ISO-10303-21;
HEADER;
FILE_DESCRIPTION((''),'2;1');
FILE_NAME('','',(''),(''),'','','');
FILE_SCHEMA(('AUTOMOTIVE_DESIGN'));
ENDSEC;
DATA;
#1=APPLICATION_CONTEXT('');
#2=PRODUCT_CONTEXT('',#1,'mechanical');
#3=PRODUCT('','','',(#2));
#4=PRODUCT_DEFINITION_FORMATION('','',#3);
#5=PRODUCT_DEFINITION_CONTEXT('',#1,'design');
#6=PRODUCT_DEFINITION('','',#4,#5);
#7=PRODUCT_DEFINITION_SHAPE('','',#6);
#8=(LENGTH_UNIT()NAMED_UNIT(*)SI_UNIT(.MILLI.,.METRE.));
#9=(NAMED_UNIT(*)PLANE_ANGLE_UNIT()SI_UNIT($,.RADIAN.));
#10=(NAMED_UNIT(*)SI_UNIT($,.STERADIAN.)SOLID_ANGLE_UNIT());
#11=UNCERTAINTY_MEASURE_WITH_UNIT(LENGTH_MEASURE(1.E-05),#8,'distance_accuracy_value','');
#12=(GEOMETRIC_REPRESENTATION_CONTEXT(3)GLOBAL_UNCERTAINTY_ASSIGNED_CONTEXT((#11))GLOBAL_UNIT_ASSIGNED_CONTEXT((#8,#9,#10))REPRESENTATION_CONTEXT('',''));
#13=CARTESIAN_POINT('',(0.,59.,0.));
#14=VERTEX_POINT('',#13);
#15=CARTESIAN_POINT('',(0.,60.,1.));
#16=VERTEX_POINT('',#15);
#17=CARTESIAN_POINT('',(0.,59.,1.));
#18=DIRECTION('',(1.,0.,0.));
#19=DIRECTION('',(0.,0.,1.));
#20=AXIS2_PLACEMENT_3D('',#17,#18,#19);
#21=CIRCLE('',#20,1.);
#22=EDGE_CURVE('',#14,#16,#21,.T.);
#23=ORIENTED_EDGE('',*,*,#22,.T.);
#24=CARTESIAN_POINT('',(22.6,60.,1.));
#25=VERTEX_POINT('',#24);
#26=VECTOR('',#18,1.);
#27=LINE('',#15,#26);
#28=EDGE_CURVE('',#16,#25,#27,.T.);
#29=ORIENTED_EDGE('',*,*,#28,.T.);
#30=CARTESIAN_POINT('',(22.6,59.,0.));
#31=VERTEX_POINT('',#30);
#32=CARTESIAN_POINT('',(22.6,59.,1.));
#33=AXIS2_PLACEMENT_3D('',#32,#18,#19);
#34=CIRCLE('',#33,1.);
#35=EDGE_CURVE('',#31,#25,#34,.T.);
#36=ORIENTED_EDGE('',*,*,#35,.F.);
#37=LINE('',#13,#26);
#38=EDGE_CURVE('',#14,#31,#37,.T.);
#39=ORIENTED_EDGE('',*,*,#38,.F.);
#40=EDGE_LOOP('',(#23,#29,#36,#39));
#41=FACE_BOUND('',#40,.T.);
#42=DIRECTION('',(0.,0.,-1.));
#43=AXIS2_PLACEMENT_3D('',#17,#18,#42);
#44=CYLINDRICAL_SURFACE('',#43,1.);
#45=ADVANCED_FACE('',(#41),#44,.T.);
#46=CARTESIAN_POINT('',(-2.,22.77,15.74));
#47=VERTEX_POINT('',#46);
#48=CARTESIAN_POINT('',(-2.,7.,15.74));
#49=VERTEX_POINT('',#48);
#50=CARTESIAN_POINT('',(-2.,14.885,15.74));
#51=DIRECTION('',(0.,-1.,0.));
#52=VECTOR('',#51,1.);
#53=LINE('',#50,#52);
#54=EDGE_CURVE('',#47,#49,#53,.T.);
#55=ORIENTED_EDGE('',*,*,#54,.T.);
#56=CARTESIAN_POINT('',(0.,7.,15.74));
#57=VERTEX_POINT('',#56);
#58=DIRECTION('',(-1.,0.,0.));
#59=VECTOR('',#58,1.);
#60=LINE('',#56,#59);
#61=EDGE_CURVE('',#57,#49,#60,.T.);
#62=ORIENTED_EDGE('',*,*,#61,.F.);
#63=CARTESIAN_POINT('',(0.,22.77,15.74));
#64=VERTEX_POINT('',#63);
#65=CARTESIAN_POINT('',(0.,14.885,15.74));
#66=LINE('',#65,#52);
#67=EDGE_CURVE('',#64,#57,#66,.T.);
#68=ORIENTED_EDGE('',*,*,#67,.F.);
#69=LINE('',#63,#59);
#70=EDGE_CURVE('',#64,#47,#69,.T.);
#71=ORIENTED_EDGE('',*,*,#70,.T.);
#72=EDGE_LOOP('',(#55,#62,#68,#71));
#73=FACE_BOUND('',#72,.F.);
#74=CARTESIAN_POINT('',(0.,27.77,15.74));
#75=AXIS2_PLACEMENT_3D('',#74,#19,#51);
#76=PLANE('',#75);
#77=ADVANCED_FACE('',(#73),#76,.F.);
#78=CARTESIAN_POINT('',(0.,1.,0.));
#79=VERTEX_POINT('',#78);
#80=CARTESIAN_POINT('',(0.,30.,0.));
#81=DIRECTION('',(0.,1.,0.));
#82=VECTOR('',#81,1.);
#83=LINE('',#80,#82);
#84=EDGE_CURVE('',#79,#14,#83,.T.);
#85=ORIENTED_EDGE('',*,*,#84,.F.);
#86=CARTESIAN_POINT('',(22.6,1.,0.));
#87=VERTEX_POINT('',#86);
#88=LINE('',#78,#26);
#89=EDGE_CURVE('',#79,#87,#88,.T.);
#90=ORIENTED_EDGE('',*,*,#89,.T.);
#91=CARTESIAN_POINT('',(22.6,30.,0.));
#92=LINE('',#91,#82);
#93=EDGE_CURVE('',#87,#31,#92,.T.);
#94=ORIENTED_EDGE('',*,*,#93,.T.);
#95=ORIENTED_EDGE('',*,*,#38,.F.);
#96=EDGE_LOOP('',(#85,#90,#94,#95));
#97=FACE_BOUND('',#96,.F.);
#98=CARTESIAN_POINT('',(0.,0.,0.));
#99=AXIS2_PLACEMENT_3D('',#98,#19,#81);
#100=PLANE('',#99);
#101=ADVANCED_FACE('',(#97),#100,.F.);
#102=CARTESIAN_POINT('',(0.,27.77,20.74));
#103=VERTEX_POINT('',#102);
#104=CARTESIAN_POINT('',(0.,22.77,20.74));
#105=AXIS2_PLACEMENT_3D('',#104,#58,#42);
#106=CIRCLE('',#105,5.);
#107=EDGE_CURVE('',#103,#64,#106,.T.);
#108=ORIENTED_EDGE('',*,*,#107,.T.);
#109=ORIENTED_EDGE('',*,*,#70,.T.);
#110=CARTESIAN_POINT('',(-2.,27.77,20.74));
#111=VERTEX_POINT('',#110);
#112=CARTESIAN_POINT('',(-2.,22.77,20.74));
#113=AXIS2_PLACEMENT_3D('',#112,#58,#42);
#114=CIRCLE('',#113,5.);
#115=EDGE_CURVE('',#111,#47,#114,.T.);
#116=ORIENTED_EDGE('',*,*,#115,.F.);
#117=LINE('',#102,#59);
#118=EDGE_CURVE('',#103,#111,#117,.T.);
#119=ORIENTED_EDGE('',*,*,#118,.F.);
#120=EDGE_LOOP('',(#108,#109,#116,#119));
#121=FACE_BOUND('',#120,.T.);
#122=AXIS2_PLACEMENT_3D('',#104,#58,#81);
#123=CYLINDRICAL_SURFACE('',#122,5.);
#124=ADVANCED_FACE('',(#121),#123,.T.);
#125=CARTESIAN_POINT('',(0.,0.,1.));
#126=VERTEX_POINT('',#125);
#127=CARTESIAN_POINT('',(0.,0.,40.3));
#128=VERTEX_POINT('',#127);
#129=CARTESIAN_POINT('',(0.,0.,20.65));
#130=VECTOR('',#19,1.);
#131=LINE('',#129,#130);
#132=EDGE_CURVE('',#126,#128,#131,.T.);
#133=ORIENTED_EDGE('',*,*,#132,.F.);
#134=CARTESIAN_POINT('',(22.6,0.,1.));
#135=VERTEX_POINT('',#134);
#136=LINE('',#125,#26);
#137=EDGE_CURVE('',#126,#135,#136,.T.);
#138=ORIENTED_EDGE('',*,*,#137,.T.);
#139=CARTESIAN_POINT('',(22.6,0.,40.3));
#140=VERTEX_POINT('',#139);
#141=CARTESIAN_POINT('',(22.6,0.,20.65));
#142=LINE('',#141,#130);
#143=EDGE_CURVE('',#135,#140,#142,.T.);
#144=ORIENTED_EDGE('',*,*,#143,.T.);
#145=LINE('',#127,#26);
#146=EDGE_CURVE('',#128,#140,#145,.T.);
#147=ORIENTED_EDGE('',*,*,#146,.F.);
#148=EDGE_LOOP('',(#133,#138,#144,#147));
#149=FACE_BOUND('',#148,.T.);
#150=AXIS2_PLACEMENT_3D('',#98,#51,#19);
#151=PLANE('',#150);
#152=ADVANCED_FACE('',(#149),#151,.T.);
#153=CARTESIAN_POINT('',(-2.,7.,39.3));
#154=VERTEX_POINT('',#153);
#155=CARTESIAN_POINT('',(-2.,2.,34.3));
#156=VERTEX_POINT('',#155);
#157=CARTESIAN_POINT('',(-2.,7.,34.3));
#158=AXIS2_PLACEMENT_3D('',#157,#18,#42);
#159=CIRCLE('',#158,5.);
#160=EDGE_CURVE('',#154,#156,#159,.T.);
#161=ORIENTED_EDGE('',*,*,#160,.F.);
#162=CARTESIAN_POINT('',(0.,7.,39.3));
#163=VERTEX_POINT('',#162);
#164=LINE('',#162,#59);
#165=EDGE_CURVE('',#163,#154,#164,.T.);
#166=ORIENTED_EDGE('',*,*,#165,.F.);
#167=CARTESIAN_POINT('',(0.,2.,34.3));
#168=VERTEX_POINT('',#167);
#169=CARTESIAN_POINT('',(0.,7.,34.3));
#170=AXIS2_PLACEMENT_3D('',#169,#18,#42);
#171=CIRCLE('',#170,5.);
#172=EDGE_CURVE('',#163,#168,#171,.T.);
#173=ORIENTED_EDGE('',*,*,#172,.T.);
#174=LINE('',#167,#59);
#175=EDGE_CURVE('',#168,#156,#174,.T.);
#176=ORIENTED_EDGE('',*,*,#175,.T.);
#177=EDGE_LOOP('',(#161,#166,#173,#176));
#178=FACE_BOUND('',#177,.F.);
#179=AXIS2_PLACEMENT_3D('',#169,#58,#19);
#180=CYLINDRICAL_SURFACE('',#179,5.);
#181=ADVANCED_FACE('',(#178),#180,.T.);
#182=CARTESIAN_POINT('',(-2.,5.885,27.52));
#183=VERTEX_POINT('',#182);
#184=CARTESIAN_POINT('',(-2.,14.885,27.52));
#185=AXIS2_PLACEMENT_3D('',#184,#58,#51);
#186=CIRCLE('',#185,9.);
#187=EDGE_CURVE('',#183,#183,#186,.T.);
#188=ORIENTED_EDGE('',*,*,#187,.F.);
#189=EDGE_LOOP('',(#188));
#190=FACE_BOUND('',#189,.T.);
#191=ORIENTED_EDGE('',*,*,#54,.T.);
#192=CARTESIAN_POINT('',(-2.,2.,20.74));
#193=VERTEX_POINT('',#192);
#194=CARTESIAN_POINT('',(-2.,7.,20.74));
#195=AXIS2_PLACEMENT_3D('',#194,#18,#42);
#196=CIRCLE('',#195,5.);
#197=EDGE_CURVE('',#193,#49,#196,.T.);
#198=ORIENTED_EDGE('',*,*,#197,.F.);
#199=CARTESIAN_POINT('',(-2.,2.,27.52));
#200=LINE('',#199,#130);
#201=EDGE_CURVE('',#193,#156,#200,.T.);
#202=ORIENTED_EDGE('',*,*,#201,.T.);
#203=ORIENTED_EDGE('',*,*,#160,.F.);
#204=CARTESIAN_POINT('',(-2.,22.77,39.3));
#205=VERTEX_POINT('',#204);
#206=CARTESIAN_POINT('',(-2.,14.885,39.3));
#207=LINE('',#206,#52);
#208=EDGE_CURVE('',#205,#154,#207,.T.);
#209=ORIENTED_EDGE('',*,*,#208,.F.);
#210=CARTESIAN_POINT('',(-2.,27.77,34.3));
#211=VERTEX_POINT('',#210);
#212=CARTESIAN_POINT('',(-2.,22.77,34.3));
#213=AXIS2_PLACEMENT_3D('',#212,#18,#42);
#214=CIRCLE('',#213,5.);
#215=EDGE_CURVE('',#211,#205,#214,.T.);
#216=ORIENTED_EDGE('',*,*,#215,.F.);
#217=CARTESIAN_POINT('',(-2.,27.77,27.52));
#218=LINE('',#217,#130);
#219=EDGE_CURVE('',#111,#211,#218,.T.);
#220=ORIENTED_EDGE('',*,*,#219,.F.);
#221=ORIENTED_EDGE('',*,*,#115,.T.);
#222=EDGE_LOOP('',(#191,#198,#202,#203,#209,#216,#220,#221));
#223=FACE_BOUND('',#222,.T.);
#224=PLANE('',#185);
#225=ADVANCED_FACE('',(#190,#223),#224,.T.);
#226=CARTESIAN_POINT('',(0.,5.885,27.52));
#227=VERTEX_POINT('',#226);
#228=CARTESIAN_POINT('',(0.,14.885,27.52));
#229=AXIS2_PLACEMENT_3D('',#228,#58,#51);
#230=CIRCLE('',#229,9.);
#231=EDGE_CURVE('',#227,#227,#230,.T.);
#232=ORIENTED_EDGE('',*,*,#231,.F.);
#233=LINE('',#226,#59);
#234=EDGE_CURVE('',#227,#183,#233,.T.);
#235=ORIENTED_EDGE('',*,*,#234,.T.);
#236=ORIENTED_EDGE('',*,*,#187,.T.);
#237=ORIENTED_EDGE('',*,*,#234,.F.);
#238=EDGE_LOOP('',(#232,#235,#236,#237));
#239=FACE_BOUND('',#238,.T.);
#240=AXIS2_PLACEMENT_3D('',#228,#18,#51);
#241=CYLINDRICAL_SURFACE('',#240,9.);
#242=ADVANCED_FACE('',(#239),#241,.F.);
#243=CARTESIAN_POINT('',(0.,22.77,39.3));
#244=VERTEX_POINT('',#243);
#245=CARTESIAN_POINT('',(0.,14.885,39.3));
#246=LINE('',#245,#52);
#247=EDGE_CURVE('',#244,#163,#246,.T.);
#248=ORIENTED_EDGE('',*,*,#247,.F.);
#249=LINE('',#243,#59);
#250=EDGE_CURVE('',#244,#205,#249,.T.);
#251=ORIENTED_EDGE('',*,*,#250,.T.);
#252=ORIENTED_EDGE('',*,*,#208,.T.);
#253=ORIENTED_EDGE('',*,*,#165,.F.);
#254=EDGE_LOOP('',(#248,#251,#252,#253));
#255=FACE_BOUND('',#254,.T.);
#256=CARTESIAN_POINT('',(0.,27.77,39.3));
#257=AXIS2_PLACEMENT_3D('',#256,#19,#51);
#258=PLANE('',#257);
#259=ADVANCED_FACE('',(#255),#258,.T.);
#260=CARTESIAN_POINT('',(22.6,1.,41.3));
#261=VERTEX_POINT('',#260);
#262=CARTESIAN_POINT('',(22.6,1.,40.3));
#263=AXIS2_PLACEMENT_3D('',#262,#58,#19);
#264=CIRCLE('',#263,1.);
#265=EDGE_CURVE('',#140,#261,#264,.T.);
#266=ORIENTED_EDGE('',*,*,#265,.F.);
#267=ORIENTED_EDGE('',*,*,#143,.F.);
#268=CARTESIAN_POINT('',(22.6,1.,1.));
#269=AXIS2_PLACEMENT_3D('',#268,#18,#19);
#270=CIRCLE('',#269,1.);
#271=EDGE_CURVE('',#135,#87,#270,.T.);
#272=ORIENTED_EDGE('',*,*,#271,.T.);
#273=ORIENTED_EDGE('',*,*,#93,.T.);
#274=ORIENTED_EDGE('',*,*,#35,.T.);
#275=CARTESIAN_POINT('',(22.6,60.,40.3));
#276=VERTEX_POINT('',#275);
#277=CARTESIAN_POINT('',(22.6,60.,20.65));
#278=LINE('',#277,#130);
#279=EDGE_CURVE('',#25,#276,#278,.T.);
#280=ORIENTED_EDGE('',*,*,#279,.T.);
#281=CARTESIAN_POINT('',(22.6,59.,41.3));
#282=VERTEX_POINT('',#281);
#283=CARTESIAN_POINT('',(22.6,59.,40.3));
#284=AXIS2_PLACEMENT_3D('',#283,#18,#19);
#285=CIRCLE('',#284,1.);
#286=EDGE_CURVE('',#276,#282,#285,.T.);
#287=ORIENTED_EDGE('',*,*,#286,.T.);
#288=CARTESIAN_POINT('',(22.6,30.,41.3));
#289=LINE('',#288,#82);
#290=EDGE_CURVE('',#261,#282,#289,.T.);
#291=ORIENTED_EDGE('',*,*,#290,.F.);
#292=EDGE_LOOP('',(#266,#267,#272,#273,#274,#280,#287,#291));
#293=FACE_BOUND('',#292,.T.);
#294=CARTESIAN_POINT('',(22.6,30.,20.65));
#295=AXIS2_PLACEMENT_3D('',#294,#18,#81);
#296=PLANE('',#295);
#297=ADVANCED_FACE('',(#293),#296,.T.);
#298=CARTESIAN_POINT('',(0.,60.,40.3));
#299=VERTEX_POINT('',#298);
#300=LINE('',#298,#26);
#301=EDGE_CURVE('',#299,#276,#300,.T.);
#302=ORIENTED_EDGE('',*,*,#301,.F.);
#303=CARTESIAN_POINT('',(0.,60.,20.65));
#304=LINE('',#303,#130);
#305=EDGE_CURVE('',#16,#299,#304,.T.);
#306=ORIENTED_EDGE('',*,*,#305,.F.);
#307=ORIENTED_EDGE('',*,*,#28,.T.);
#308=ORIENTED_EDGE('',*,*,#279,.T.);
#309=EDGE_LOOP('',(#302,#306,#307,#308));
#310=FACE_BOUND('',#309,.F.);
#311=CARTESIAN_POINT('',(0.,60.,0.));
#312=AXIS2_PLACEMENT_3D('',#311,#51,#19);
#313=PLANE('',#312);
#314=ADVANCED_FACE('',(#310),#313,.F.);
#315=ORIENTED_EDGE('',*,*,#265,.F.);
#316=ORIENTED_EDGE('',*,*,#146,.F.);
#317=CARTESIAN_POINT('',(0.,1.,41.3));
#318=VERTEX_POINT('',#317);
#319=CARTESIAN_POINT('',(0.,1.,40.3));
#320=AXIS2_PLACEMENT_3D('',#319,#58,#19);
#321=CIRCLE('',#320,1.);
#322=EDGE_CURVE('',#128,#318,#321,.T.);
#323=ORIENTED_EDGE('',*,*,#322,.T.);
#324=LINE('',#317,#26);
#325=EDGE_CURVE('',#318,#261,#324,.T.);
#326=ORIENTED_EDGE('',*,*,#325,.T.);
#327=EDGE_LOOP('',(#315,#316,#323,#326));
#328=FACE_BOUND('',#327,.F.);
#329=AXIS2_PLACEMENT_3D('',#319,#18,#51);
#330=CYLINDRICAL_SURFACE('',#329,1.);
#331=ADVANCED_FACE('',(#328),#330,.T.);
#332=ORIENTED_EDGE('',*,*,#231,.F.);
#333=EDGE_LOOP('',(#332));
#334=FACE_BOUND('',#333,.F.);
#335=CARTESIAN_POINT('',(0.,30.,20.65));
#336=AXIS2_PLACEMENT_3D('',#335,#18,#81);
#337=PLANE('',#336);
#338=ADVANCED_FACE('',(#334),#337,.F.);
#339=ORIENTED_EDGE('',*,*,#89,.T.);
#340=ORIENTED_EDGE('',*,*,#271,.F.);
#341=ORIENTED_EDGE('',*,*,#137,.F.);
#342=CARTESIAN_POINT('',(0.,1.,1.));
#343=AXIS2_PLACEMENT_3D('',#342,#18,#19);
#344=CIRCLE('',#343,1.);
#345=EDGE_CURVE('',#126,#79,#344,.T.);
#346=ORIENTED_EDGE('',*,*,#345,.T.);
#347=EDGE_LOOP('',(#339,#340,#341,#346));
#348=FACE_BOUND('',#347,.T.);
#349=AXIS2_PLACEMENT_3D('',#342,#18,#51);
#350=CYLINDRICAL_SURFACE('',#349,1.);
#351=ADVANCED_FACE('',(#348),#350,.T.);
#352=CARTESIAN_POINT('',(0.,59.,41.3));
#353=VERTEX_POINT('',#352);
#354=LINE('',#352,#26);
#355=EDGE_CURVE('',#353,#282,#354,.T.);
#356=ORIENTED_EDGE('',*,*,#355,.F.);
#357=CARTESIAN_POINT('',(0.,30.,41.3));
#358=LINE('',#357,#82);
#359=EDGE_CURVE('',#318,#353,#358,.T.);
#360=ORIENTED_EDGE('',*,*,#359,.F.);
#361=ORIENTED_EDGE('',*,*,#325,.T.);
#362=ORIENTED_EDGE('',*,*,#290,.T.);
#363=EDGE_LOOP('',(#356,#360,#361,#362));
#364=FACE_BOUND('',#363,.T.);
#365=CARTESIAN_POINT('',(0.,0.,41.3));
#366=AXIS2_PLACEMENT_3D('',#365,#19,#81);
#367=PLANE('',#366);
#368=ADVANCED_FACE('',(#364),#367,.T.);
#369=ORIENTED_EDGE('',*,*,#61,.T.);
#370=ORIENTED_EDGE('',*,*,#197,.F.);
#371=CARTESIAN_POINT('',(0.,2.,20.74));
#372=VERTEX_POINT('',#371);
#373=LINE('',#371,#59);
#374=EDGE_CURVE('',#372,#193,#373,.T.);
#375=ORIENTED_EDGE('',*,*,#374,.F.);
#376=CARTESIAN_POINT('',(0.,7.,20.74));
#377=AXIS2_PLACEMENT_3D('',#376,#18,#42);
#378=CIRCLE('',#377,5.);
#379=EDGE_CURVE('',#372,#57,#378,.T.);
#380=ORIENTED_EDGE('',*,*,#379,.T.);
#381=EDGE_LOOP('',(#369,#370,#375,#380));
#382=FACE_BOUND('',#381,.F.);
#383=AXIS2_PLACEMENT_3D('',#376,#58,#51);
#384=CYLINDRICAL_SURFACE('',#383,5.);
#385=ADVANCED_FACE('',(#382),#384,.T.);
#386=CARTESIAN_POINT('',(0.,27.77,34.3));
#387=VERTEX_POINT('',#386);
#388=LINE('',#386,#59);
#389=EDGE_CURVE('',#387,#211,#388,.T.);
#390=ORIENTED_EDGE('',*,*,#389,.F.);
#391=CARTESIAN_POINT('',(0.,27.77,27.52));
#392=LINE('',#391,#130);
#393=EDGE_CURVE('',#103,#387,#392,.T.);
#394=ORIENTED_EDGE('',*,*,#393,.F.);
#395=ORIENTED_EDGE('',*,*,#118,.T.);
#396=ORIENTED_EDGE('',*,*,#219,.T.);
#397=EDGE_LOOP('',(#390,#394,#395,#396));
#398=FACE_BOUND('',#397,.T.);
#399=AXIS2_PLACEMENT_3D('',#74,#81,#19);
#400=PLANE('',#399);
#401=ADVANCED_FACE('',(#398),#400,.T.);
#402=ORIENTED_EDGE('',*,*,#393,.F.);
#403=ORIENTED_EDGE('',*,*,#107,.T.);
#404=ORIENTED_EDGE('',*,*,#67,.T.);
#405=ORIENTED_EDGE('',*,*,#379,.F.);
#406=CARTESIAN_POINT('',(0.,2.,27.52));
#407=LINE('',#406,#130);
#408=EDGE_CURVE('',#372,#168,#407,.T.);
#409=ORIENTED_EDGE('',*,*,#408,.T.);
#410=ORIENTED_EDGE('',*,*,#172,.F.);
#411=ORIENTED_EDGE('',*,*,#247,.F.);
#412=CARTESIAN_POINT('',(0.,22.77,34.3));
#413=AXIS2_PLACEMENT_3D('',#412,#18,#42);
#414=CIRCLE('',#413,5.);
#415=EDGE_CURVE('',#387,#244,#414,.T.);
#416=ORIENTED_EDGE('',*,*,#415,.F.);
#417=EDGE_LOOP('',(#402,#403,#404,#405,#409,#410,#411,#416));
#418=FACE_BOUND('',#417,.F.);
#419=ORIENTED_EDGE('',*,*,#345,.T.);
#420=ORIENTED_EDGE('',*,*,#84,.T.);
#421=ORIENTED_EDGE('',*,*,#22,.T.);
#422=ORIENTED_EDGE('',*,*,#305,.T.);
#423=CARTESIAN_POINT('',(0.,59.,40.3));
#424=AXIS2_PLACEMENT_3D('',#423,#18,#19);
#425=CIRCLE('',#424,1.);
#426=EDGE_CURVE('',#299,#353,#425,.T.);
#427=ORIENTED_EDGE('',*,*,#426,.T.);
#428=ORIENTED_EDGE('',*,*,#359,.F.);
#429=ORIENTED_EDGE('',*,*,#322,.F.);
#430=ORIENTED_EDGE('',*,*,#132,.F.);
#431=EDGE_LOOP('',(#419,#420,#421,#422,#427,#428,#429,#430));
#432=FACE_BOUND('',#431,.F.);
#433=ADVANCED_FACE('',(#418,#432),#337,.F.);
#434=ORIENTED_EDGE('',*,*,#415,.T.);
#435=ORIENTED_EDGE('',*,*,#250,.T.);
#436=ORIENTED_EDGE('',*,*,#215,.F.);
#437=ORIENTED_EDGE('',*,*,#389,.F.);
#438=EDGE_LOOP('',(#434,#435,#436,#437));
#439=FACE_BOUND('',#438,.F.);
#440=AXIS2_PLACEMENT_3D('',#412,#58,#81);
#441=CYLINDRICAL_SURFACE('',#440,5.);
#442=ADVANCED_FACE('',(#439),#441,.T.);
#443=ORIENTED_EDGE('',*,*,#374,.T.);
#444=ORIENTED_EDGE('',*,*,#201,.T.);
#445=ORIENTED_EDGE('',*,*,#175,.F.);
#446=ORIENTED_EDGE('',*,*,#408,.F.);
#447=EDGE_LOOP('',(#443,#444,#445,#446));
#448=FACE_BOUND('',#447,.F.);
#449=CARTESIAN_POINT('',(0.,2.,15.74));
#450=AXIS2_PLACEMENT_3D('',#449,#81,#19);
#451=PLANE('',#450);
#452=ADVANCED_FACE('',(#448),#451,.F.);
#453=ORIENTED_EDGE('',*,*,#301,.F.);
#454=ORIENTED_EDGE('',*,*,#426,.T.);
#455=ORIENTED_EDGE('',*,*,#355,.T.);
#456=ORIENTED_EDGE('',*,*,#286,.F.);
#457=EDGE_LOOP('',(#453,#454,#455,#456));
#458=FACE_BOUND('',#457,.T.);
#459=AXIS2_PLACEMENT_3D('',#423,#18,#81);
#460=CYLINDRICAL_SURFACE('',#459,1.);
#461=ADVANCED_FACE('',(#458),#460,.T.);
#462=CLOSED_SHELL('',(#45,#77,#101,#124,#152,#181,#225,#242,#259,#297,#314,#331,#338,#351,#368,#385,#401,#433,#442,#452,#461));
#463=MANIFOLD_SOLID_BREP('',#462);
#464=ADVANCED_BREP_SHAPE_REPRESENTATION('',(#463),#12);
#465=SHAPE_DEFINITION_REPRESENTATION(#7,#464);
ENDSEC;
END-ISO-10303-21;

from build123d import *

# Parameters (mm, degrees)
F0_W     = 60
F0_H     = 41.3
F1_DEPTH = 22.6
F2_R     = 1
F3_W     = 25.77
F3_H     = 23.56
F3_R     = 9
F4_DEPTH = 2
F5_R     = 5


with BuildPart() as f1:
    # F0 (on Right) → F1 (new body)
    with BuildSketch(Plane.YZ):
        with Locations((30, 20.65)):
            Rectangle(F0_W, F0_H)
    extrude(amount=F1_DEPTH)

    # F2
    f2_edges = [f1.edges().sort_by_distance(p)[0] for p in [
        (11.3, 60, 41.3),
        (11.3, 0, 41.3),
        (11.3, 0, 0),
        (11.3, 60, 0),
    ]]
    fillet(f2_edges, radius=F2_R)

    # F3 (on face) → F4 (join)
    with BuildSketch(Plane(origin=(0, 0, 0), x_dir=(0, -1, 0), z_dir=(-1, 0, 0))):
        with Locations((-14.885, 27.52)):
            Rectangle(F3_W, F3_H)
        with Locations((-14.885, 27.52)):
            Circle(F3_R, mode=Mode.SUBTRACT)
    extrude(amount=F4_DEPTH)

    # F5
    f5_edges = [f1.edges().sort_by_distance(p)[0] for p in [
        (-1, 2, 39.3),
        (-1, 2, 15.74),
        (-1, 27.77, 15.74),
        (-1, 27.77, 39.3),
    ]]
    fillet(f5_edges, radius=F5_R)


solid = f1.part
